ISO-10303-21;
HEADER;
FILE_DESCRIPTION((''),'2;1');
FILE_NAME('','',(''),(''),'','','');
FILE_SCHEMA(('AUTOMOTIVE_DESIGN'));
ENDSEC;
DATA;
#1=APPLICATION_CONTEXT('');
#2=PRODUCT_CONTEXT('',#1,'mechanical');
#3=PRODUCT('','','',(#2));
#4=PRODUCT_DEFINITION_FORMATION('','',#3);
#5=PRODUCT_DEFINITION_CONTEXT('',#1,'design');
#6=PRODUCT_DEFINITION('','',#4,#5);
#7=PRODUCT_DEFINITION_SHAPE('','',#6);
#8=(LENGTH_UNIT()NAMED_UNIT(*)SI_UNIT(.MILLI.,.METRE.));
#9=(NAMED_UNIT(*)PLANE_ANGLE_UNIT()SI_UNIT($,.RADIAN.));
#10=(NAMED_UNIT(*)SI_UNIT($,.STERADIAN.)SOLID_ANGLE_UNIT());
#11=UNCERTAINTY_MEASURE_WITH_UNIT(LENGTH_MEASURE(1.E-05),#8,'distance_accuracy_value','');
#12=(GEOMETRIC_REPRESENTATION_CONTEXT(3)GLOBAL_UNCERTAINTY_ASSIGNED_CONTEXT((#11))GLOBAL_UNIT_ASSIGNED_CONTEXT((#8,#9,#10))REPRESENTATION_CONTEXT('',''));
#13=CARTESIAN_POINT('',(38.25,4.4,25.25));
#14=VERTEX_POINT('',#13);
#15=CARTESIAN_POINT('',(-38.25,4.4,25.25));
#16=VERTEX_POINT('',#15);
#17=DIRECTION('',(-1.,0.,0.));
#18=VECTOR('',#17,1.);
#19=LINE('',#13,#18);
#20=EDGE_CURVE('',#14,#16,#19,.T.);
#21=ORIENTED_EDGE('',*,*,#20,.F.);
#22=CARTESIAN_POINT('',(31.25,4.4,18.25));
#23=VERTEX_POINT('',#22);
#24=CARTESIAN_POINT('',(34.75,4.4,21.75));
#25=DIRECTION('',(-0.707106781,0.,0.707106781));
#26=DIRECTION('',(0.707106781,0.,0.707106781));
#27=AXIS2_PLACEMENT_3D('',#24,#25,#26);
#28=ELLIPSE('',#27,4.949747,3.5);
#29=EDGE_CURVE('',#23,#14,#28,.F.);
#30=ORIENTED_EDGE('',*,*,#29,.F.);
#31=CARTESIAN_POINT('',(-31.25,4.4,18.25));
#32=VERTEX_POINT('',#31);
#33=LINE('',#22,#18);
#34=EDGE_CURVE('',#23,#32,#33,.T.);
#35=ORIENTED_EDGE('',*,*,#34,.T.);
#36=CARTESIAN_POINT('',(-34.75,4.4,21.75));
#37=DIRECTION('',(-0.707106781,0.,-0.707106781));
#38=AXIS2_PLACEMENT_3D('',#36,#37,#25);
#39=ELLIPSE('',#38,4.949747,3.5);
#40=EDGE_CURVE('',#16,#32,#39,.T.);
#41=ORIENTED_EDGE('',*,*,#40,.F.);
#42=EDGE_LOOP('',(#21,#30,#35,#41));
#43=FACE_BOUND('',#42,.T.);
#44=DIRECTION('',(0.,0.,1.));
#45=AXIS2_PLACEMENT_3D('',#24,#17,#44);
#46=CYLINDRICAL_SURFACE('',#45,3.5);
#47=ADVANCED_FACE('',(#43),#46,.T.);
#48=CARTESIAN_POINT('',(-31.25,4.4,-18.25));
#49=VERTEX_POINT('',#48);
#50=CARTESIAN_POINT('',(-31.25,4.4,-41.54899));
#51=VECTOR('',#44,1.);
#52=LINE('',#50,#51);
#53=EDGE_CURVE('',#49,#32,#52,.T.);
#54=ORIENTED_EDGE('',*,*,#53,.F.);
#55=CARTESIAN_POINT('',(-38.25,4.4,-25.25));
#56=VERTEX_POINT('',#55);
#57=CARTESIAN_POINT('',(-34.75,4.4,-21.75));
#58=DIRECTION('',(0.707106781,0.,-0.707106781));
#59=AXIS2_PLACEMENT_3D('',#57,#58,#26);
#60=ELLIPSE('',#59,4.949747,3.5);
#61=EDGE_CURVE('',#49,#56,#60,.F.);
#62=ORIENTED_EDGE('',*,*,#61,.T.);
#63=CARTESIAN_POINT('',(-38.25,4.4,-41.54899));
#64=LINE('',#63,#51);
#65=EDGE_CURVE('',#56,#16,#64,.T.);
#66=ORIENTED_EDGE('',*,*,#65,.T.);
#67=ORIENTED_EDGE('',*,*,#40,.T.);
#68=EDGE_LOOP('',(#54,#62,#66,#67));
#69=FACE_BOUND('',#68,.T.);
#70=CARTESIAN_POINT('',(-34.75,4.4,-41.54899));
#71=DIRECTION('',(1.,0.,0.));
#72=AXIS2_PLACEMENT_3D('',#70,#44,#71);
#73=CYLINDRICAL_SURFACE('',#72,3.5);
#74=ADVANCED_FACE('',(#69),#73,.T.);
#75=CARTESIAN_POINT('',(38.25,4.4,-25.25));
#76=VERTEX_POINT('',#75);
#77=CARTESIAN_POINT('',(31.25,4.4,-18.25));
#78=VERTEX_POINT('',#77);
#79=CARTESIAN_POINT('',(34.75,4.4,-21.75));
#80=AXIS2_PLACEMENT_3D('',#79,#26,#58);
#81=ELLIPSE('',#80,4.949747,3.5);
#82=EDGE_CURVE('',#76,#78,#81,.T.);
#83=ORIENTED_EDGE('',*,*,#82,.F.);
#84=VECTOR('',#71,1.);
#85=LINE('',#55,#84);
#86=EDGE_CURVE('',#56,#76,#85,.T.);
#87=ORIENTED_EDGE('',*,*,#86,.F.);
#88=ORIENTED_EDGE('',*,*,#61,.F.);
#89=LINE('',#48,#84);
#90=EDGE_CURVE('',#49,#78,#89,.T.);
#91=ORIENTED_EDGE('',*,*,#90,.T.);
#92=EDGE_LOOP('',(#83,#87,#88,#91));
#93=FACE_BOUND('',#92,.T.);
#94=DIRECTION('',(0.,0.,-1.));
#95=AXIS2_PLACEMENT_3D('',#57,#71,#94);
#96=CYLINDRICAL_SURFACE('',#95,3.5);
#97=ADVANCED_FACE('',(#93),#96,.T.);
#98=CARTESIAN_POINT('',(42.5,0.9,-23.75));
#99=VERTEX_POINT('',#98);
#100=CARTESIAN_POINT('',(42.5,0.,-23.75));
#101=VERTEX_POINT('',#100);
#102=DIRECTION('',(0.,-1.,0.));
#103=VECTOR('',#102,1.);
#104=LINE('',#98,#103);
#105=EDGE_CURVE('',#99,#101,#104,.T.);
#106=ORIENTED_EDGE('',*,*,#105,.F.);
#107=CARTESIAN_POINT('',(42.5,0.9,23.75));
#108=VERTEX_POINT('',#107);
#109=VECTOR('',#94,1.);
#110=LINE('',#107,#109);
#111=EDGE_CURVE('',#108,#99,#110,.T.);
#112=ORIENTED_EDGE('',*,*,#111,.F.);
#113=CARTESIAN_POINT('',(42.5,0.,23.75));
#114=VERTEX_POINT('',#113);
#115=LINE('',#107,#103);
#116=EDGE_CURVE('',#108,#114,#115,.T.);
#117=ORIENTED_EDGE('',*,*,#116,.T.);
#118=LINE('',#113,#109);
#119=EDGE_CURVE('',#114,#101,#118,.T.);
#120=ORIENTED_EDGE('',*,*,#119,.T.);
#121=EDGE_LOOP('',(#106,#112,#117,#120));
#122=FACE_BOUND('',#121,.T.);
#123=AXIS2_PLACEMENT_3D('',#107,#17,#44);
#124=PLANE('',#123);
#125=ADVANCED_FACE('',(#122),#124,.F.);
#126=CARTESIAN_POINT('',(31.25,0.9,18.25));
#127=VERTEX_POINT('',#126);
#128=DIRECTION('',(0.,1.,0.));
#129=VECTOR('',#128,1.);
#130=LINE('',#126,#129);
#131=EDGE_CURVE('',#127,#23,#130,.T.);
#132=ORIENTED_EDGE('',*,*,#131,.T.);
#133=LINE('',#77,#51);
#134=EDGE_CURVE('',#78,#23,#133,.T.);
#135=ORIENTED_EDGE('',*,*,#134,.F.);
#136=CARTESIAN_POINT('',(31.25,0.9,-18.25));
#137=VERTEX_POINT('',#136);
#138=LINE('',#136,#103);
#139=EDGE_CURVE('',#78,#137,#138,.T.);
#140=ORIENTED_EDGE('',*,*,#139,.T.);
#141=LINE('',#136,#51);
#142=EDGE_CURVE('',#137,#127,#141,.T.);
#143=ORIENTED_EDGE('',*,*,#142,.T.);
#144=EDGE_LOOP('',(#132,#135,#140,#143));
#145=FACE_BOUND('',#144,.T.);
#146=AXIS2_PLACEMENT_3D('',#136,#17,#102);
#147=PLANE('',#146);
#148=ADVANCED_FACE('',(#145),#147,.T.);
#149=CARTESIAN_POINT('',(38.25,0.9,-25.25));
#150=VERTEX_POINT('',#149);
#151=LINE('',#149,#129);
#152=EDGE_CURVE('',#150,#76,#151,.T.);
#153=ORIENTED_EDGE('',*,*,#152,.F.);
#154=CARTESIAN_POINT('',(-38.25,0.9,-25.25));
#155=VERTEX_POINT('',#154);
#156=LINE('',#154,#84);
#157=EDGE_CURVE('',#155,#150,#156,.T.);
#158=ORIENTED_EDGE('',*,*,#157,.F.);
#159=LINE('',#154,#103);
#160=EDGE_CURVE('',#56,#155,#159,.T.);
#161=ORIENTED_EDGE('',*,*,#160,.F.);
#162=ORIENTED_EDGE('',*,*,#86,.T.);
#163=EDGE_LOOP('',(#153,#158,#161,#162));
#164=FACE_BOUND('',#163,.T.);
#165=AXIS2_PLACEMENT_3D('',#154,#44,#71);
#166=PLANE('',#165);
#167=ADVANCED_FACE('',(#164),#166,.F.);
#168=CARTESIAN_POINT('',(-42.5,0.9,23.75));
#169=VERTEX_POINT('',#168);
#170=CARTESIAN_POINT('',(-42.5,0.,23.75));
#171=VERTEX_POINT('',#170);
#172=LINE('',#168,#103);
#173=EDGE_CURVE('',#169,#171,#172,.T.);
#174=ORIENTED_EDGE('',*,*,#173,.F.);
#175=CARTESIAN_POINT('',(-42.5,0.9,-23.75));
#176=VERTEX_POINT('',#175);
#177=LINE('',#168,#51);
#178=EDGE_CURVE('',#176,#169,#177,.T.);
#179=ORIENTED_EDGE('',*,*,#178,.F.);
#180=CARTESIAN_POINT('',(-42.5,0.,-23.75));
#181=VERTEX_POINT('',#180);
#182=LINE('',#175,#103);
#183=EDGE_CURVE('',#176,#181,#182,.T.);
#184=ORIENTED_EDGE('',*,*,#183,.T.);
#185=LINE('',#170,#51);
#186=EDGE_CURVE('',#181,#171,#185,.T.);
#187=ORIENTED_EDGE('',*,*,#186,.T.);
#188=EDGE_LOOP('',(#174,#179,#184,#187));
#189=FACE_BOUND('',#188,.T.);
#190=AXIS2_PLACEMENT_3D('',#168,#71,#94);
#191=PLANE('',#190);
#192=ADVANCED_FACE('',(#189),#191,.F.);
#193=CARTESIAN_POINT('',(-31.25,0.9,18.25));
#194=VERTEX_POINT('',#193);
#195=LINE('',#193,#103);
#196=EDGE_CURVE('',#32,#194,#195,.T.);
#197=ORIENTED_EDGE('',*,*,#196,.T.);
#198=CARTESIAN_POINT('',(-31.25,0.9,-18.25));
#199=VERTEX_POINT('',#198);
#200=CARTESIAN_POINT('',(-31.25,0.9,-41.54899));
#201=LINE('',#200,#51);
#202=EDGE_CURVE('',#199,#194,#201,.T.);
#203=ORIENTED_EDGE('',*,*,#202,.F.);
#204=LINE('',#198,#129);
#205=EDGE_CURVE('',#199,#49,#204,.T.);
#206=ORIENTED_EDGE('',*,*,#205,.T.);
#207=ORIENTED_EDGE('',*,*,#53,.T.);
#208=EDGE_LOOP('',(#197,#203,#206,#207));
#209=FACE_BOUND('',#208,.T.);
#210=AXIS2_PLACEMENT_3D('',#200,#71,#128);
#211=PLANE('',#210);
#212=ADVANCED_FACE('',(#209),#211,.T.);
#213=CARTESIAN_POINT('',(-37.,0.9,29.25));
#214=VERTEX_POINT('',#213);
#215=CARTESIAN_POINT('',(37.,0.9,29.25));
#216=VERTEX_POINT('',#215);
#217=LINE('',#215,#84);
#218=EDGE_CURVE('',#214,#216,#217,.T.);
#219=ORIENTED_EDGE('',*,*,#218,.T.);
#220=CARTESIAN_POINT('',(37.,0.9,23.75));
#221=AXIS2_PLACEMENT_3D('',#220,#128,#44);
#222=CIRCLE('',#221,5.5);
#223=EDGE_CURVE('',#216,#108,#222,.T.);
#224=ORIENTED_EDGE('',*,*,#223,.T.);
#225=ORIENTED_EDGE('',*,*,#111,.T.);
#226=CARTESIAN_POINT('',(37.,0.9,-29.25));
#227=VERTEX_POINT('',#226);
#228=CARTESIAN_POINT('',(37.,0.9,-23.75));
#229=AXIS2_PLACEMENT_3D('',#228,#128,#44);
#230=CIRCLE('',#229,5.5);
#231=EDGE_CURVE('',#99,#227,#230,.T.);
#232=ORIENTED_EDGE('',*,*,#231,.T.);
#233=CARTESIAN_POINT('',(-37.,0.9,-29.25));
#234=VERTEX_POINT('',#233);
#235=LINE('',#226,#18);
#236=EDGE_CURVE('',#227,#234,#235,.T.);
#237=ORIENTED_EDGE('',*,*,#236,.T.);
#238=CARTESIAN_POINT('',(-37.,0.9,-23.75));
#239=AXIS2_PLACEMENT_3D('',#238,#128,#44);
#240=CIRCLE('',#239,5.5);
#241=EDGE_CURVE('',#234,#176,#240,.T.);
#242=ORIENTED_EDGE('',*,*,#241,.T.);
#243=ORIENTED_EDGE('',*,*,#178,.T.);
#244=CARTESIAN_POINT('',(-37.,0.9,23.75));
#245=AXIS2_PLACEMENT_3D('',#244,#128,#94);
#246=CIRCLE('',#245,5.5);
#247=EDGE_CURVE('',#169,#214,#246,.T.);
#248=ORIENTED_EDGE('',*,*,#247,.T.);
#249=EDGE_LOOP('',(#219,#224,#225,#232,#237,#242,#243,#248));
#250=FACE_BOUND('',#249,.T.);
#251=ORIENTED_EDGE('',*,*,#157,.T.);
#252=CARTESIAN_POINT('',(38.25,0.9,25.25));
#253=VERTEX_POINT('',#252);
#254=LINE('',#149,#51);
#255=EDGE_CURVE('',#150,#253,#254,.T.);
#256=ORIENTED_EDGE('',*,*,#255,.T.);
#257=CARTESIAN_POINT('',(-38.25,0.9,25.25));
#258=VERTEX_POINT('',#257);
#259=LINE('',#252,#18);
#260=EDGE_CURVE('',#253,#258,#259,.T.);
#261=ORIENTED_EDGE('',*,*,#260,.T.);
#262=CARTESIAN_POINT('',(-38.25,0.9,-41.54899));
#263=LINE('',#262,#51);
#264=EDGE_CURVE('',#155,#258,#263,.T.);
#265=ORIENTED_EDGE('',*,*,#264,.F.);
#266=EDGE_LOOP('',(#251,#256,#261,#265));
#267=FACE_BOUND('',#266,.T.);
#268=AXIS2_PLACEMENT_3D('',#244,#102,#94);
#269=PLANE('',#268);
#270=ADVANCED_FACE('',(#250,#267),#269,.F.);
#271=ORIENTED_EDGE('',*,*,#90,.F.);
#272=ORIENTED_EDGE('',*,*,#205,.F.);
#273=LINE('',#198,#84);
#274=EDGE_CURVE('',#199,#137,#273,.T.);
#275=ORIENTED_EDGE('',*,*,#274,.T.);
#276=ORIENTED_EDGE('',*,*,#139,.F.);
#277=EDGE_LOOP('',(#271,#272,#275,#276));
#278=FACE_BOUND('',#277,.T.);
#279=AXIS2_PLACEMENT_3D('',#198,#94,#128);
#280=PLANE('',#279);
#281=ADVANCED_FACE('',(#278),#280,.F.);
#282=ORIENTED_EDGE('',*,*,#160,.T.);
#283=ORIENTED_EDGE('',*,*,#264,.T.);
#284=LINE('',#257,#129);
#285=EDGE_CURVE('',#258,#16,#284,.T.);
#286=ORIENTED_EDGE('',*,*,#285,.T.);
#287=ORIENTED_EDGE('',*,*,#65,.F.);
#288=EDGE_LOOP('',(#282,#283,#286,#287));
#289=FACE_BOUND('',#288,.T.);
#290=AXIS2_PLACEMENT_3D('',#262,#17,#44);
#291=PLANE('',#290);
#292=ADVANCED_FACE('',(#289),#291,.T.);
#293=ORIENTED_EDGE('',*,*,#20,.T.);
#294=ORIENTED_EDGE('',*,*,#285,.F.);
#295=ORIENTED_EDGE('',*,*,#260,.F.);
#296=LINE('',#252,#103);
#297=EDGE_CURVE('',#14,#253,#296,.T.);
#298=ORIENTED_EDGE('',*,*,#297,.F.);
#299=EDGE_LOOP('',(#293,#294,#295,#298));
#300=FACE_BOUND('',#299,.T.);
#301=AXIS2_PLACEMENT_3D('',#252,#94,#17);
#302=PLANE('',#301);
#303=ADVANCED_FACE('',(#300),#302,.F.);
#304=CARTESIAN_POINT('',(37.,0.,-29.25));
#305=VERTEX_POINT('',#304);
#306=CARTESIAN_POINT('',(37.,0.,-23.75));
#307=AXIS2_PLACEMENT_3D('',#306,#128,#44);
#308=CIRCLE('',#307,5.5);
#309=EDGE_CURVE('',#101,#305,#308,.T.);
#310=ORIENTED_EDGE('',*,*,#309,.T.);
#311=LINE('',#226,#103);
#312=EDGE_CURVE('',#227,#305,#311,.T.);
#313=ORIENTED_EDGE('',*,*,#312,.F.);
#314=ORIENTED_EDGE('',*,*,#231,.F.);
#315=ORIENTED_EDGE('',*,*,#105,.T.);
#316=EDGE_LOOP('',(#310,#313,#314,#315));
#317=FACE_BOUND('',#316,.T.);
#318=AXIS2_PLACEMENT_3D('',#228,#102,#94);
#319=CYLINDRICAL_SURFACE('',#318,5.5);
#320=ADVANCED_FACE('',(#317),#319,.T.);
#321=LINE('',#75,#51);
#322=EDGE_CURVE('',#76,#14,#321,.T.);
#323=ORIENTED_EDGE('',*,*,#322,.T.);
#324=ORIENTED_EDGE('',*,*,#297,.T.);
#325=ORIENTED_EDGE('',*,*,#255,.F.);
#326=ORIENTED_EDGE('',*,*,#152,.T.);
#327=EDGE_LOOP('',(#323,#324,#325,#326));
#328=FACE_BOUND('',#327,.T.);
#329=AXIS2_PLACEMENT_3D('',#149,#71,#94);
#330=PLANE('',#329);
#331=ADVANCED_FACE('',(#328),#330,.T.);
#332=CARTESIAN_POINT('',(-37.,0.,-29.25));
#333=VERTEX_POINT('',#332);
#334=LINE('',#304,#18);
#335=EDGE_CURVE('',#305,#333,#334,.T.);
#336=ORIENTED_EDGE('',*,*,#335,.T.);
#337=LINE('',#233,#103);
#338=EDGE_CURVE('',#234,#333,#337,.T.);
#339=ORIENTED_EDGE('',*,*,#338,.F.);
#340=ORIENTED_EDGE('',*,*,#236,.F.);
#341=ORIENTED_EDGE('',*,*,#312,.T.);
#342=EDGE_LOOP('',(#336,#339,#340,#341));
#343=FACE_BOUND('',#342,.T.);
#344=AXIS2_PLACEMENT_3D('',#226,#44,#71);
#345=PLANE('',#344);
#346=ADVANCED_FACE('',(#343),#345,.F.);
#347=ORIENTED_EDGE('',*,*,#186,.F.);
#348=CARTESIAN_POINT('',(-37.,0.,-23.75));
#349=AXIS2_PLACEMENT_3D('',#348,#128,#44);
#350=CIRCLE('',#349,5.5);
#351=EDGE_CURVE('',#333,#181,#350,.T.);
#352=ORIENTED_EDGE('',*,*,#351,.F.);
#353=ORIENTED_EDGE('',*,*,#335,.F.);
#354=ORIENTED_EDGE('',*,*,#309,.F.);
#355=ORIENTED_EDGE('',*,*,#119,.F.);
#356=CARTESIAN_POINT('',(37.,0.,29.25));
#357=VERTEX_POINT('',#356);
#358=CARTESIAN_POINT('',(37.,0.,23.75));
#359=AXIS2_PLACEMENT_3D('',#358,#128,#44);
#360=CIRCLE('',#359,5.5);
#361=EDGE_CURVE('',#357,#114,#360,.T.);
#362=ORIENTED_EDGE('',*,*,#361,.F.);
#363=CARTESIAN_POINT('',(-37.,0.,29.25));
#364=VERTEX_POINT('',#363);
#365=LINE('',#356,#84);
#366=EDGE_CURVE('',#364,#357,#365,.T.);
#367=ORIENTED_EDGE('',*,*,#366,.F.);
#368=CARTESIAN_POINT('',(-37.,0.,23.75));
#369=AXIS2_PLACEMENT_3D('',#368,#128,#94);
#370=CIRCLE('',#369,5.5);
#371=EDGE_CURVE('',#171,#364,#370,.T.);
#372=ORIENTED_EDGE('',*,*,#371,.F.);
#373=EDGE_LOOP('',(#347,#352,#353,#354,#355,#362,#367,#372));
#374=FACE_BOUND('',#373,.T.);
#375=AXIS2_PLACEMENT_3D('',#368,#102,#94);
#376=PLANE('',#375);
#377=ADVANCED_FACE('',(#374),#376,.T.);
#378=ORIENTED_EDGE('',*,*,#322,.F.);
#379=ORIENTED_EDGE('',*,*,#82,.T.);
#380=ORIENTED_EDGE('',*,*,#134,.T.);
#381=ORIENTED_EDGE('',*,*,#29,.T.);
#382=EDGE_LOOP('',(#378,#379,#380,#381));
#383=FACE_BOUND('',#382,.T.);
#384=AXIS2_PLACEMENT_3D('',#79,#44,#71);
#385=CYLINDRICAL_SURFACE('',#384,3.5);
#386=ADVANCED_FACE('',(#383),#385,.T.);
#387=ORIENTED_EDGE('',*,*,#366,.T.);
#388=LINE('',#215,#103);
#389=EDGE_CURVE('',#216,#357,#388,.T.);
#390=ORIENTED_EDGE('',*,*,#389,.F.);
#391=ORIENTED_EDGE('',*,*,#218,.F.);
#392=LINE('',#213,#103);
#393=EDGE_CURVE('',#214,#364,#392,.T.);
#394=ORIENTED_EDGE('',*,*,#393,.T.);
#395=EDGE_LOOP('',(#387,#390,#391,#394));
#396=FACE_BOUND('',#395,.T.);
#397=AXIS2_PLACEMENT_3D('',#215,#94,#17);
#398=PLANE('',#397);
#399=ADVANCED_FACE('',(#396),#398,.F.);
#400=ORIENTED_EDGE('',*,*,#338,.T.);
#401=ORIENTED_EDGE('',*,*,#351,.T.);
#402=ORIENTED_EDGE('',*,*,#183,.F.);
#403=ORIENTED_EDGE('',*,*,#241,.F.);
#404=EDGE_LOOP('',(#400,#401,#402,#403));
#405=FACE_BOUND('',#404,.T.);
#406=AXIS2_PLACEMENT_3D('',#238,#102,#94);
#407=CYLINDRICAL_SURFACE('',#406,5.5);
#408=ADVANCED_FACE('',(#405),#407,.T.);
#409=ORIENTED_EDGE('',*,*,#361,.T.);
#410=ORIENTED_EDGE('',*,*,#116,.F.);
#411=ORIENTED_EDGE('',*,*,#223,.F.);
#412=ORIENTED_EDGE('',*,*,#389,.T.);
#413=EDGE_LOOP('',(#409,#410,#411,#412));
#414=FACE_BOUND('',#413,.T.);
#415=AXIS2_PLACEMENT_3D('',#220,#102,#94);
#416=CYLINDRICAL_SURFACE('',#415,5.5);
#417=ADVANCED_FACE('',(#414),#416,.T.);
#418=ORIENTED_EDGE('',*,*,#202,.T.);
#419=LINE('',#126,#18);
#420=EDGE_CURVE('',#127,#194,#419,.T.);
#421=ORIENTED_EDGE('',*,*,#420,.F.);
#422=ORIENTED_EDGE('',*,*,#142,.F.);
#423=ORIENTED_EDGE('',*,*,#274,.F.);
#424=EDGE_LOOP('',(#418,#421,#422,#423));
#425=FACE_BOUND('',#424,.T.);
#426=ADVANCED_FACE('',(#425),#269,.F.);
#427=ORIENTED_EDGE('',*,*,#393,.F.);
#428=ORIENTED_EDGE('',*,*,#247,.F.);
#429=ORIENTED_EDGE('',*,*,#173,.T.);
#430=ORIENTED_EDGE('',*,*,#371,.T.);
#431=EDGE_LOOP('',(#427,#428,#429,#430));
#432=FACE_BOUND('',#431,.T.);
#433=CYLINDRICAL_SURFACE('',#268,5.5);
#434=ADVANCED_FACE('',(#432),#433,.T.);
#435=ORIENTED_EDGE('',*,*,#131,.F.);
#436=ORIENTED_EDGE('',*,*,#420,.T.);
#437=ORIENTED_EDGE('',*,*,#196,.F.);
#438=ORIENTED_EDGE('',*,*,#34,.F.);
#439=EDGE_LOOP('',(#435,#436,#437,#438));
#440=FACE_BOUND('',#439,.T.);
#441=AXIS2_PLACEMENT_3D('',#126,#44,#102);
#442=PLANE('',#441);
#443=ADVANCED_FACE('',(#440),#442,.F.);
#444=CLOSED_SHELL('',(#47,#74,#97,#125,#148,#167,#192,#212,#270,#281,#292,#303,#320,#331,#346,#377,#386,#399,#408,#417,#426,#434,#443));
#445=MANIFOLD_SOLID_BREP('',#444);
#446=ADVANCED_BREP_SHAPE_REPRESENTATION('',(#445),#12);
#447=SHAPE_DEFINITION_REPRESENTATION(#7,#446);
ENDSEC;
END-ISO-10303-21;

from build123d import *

# Parameters (mm, degrees)
BOSS_EXTRUDE1_DEPTH = 0.9


with BuildPart() as part:
    # Sketch1 → Boss-Extrude1 (new body)
    with BuildSketch(Plane(origin=(0, 0, 0), x_dir=(1, 0, 0), z_dir=(0, 1, 0))):
        with BuildLine():
            Line((37, -29.25), (-37, -29.25))
            ThreePointArc((-37, -29.25), (-40.889087297, -27.639087297), (-42.5, -23.75))
            Line((-42.5, -23.75), (-42.5, 23.75))
            ThreePointArc((-42.5, 23.75), (-40.889087297, 27.639087297), (-37, 29.25))
            Line((-37, 29.25), (37, 29.25))
            ThreePointArc((37, 29.25), (40.889087297, 27.639087297), (42.5, 23.75))
            Line((42.5, 23.75), (42.5, -23.75))
            ThreePointArc((42.5, -23.75), (40.889087297, -27.639087297), (37, -29.25))
        make_face()
    extrude(amount=BOSS_EXTRUDE1_DEPTH)

    # Sweep1: sweep along a path in Sketch2
    with BuildLine(Plane(origin=(0, 0.9, 0), x_dir=(1, 0, 0), z_dir=(0, 1, 0))) as sweep1_path:
        Line((34.75, -21.75), (-34.75, -21.75))
        Line((-34.75, -21.75), (-34.75, 21.75))
        Line((-34.75, 21.75), (34.75, 21.75))
        Line((34.75, 21.75), (34.75, -21.75))
    # Sketch3 → Sweep1 (sweep)
    with BuildSketch(Plane.XY):
        with BuildLine():
            Line((-38.25, 0.9), (-31.25, 0.9))
            Line((-31.25, 0.9), (-31.25, 4.4))
            ThreePointArc((-31.25, 4.4), (-34.75, 7.9), (-38.25, 4.4))
            Line((-38.25, 4.4), (-38.25, 0.9))
        make_face()
    sweep(path=sweep1_path.line, transition=Transition.RIGHT)


solid = part.part
